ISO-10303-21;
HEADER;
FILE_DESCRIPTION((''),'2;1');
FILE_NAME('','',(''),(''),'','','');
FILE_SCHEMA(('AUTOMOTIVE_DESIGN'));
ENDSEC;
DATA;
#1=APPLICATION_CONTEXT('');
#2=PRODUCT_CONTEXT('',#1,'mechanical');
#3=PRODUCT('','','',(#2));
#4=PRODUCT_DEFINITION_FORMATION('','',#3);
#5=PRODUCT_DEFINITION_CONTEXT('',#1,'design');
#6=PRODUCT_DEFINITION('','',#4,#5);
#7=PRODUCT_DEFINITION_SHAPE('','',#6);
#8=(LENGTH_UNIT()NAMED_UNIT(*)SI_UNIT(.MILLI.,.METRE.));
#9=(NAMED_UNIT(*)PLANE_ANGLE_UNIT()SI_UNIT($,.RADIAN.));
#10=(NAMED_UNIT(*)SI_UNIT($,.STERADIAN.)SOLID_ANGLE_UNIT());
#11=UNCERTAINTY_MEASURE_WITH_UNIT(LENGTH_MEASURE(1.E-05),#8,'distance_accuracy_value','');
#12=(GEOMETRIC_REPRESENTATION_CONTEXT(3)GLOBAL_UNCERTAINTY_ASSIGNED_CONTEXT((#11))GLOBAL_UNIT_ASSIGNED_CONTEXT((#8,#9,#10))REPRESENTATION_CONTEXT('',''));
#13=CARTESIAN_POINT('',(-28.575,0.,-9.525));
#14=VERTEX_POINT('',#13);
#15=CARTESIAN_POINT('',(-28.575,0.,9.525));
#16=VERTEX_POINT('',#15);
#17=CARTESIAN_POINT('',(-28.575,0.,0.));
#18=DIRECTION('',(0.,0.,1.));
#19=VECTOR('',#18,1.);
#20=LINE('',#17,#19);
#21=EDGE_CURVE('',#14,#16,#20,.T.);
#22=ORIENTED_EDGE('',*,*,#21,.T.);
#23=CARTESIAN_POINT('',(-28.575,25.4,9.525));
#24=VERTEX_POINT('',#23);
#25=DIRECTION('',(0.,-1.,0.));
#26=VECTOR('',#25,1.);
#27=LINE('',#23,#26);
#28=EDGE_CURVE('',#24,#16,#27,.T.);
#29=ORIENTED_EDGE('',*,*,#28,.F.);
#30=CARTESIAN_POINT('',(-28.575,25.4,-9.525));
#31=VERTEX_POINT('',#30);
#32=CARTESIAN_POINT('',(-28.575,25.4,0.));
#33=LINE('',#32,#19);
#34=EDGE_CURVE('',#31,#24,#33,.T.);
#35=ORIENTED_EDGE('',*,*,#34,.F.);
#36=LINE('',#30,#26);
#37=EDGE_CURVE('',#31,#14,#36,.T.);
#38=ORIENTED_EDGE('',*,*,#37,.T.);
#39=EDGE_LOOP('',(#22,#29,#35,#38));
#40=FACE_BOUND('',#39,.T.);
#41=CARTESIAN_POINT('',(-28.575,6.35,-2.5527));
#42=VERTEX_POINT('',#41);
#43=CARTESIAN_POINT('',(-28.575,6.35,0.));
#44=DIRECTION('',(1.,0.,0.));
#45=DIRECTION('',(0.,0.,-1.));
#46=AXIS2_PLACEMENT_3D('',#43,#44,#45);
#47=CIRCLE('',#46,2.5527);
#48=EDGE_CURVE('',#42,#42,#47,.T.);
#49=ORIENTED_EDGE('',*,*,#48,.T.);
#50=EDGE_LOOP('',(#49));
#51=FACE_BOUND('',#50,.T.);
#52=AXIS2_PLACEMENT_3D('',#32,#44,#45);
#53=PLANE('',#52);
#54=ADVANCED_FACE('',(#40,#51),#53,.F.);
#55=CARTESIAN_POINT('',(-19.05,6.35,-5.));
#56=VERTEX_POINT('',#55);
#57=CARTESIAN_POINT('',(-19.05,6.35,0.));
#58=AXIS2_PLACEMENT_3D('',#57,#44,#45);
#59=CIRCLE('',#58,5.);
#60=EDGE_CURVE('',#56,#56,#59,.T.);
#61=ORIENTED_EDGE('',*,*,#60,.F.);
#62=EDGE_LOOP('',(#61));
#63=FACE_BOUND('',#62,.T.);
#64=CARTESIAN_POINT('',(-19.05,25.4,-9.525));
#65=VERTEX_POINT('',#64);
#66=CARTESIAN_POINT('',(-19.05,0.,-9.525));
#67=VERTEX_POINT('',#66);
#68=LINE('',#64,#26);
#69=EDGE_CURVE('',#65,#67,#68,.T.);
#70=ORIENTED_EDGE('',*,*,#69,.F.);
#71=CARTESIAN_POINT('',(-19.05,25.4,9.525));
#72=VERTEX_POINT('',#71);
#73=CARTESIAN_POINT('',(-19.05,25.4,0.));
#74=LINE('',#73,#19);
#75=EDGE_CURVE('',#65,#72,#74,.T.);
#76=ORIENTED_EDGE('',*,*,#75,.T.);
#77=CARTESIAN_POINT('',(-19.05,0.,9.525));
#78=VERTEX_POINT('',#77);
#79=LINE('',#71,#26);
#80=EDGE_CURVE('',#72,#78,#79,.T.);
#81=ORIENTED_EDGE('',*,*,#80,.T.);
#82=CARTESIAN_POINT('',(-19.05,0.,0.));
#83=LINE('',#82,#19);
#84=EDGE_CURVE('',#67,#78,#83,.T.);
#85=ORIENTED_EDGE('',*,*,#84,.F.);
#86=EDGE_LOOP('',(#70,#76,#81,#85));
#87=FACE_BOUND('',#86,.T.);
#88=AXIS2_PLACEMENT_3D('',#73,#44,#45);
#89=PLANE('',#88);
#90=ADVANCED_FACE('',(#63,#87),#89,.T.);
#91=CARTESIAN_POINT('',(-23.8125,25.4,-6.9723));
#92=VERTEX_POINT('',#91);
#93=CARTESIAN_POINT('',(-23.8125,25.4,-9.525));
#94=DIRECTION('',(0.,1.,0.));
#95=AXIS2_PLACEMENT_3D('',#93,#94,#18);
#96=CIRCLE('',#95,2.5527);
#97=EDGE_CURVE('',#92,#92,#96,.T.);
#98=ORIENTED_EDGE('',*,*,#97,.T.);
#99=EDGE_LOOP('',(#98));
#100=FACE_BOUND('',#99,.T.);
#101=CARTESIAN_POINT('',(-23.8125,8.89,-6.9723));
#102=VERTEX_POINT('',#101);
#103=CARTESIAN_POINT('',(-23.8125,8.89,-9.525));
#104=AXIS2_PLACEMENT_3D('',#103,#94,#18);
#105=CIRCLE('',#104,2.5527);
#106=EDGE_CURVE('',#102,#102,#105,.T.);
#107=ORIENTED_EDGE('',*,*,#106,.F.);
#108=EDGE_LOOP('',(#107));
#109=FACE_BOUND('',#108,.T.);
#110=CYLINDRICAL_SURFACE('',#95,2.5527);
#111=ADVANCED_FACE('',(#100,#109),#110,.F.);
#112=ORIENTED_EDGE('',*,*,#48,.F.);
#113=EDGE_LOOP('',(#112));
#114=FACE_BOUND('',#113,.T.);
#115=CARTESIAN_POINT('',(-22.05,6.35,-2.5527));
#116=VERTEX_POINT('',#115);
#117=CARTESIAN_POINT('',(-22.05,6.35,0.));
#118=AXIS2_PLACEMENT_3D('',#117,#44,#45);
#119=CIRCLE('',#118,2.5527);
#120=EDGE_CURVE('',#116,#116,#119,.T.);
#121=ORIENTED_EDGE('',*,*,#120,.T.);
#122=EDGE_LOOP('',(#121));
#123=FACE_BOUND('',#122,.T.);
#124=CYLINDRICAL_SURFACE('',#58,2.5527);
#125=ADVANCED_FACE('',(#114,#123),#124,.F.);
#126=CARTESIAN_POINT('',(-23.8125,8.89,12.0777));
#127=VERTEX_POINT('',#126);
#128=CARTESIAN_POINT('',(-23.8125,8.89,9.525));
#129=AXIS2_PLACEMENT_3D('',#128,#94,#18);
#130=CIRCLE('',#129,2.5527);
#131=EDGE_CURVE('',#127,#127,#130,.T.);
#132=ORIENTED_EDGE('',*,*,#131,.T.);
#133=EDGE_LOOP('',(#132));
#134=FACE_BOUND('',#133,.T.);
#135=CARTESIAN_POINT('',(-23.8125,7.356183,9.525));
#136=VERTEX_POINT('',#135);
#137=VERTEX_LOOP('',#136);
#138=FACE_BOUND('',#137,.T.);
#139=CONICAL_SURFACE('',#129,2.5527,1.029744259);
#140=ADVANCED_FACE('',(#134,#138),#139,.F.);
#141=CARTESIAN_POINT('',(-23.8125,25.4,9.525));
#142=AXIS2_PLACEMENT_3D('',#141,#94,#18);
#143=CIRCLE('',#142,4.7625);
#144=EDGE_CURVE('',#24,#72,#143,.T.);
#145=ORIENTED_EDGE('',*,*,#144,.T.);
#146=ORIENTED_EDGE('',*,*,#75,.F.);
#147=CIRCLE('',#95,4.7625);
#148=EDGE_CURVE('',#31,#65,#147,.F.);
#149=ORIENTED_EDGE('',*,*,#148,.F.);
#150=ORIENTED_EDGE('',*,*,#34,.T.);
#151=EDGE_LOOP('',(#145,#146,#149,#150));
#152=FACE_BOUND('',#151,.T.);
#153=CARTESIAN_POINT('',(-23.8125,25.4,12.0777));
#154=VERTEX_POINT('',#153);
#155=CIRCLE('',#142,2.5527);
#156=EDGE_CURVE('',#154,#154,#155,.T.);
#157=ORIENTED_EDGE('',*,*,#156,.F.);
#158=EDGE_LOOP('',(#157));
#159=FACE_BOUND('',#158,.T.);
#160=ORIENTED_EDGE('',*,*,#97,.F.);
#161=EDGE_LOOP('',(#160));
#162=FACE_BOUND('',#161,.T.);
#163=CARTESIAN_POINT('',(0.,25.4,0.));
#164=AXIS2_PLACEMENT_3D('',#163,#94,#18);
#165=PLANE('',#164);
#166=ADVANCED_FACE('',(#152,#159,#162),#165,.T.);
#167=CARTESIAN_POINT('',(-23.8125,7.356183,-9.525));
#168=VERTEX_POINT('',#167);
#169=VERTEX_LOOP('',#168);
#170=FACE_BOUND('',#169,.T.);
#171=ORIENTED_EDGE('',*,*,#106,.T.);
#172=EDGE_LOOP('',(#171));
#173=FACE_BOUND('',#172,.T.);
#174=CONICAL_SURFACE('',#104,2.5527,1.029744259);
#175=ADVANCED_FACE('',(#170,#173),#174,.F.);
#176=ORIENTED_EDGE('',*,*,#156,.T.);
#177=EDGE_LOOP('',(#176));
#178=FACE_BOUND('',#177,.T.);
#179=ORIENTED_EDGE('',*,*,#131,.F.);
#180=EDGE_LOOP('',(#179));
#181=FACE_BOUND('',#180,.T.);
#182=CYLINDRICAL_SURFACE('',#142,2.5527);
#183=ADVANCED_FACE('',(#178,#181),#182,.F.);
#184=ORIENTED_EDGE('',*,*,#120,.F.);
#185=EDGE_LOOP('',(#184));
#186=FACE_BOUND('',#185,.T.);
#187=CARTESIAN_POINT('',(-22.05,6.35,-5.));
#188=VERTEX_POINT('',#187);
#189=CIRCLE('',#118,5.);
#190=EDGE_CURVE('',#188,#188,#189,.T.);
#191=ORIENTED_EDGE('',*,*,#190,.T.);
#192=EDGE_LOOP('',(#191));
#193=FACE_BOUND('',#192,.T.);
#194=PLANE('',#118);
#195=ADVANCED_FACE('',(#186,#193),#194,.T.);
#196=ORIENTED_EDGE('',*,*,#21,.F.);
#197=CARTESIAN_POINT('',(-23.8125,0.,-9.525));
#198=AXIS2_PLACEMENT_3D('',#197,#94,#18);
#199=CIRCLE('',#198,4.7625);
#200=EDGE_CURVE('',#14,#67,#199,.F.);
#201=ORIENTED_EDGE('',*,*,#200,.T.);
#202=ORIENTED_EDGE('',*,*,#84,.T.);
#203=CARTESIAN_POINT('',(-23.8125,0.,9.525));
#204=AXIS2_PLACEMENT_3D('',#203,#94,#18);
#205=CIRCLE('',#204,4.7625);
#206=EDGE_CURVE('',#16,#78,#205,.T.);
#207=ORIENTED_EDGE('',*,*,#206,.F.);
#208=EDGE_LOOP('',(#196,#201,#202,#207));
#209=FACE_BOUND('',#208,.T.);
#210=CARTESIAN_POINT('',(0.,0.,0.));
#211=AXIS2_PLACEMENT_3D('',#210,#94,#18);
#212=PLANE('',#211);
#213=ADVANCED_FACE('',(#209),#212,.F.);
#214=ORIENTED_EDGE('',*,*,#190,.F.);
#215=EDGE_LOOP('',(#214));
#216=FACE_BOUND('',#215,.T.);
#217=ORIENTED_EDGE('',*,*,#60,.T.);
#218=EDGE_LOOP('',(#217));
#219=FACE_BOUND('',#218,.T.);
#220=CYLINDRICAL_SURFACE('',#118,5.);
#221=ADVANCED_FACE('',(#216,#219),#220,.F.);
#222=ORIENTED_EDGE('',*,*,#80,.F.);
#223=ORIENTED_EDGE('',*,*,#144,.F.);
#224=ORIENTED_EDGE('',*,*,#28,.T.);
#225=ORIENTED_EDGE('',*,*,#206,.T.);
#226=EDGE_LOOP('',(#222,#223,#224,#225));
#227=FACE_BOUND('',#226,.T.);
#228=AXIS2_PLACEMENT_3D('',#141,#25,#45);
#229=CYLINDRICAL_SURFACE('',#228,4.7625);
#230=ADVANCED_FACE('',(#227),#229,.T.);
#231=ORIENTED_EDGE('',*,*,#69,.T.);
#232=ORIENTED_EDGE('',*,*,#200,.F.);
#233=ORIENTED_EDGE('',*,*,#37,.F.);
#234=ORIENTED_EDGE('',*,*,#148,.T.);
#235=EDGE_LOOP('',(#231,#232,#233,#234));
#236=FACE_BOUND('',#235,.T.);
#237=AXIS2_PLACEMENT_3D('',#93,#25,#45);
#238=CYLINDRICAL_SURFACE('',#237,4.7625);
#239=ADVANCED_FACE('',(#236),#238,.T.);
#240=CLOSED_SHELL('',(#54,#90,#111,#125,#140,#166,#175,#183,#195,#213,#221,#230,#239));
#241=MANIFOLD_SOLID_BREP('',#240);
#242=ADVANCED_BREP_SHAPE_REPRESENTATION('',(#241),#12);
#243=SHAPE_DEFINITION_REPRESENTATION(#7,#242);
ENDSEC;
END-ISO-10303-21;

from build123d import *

# Parameters (mm, degrees)
SKETCH8_W                   = 15.875
SKETCH8_H                   = 38.1
BOSS_EXTRUDE2_DEPTH         = 25.4
F_1_4_20_TAPPED_HOLE1_D     = 5.1054
F_1_4_20_TAPPED_HOLE1_DEPTH = 16.51
F_1_4_20_TAPPED_HOLE1_TIP   = 1.533816902
SKETCH10_W                  = 15.875
SKETCH10_H                  = 38.1
CUT_EXTRUDE2_DEPTH          = 26.4
CUT_EXTRUDE5_START          = -19.05
SKETCH13_R                  = 5.000000033
SKETCH13_R_2                = 3.175
CUT_EXTRUDE5_DEPTH          = 3
F_1_4_20_TAPPED_HOLE2_D     = 5.1054
F_1_4_20_TAPPED_HOLE2_DEPTH = 16.51
F_1_4_20_TAPPED_HOLE2_TIP   = 1.533816902


with BuildPart() as part:
    # Sketch8 → Boss-Extrude2 (new body)
    with BuildSketch(Plane(origin=(0, 0, 0), x_dir=(1, 0, 0), z_dir=(0, 1, 0))):
        with Locations((-23.8125, 0)):
            Rectangle(SKETCH8_W, SKETCH8_H)
    extrude(amount=BOSS_EXTRUDE2_DEPTH)

    # 1/4-20 Tapped Hole1
    with Locations(Plane(origin=(0, 25.4, 0), x_dir=(1, 0, 0), z_dir=(0, 1, 0))):
        with Locations((-23.8125, 9.525), (-23.8125, -9.525)):
            Hole(F_1_4_20_TAPPED_HOLE1_D / 2, depth=F_1_4_20_TAPPED_HOLE1_DEPTH)
            with Locations((0, 0, -(F_1_4_20_TAPPED_HOLE1_DEPTH + F_1_4_20_TAPPED_HOLE1_TIP / 2))):  # 118° drill point
                Cone(0, F_1_4_20_TAPPED_HOLE1_D / 2, F_1_4_20_TAPPED_HOLE1_TIP, mode=Mode.SUBTRACT)

    # Sketch10 → Cut-Extrude2 (cut, through all)
    with BuildSketch(Plane(origin=(0, 0, 0), x_dir=(1, 0, 0), z_dir=(0, 1, 0))):
        with Locations((-23.8125, 0)):
            Rectangle(SKETCH10_W, SKETCH10_H)
        with BuildLine():
            Line((-28.575, 9.525), (-28.575, -9.525))
            ThreePointArc((-28.575, -9.525), (-23.8125, -14.2875), (-19.05, -9.525))
            Line((-19.05, -9.525), (-19.05, 9.525))
            ThreePointArc((-19.05, 9.525), (-23.8125, 14.2875), (-28.575, 9.525))
        make_face(mode=Mode.SUBTRACT)
    extrude(amount=CUT_EXTRUDE2_DEPTH, mode=Mode.SUBTRACT)

    # Sketch13 → Cut-Extrude5 (cut)
    with BuildSketch(Plane(origin=(0, 0, 0), x_dir=(0, 0, -1), z_dir=(1, 0, 0)).offset(CUT_EXTRUDE5_START)):
        with Locations((0, 6.35)):
            Circle(SKETCH13_R)
        with Locations((0, 6.35)):
            Circle(SKETCH13_R_2, mode=Mode.SUBTRACT)
        with Locations((0, 6.35)):
            Circle(SKETCH13_R_2)
    extrude(amount=-CUT_EXTRUDE5_DEPTH, mode=Mode.SUBTRACT)

    # 1/4-20 Tapped Hole2
    with Locations(Plane(origin=(-19.05, 0, 0), x_dir=(0, 0, -1), z_dir=(1, 0, 0))):
        with Locations((0, 6.35)):
            Hole(F_1_4_20_TAPPED_HOLE2_D / 2, depth=F_1_4_20_TAPPED_HOLE2_DEPTH)
            with Locations((0, 0, -(F_1_4_20_TAPPED_HOLE2_DEPTH + F_1_4_20_TAPPED_HOLE2_TIP / 2))):  # 118° drill point
                Cone(0, F_1_4_20_TAPPED_HOLE2_D / 2, F_1_4_20_TAPPED_HOLE2_TIP, mode=Mode.SUBTRACT)


solid = part.part
